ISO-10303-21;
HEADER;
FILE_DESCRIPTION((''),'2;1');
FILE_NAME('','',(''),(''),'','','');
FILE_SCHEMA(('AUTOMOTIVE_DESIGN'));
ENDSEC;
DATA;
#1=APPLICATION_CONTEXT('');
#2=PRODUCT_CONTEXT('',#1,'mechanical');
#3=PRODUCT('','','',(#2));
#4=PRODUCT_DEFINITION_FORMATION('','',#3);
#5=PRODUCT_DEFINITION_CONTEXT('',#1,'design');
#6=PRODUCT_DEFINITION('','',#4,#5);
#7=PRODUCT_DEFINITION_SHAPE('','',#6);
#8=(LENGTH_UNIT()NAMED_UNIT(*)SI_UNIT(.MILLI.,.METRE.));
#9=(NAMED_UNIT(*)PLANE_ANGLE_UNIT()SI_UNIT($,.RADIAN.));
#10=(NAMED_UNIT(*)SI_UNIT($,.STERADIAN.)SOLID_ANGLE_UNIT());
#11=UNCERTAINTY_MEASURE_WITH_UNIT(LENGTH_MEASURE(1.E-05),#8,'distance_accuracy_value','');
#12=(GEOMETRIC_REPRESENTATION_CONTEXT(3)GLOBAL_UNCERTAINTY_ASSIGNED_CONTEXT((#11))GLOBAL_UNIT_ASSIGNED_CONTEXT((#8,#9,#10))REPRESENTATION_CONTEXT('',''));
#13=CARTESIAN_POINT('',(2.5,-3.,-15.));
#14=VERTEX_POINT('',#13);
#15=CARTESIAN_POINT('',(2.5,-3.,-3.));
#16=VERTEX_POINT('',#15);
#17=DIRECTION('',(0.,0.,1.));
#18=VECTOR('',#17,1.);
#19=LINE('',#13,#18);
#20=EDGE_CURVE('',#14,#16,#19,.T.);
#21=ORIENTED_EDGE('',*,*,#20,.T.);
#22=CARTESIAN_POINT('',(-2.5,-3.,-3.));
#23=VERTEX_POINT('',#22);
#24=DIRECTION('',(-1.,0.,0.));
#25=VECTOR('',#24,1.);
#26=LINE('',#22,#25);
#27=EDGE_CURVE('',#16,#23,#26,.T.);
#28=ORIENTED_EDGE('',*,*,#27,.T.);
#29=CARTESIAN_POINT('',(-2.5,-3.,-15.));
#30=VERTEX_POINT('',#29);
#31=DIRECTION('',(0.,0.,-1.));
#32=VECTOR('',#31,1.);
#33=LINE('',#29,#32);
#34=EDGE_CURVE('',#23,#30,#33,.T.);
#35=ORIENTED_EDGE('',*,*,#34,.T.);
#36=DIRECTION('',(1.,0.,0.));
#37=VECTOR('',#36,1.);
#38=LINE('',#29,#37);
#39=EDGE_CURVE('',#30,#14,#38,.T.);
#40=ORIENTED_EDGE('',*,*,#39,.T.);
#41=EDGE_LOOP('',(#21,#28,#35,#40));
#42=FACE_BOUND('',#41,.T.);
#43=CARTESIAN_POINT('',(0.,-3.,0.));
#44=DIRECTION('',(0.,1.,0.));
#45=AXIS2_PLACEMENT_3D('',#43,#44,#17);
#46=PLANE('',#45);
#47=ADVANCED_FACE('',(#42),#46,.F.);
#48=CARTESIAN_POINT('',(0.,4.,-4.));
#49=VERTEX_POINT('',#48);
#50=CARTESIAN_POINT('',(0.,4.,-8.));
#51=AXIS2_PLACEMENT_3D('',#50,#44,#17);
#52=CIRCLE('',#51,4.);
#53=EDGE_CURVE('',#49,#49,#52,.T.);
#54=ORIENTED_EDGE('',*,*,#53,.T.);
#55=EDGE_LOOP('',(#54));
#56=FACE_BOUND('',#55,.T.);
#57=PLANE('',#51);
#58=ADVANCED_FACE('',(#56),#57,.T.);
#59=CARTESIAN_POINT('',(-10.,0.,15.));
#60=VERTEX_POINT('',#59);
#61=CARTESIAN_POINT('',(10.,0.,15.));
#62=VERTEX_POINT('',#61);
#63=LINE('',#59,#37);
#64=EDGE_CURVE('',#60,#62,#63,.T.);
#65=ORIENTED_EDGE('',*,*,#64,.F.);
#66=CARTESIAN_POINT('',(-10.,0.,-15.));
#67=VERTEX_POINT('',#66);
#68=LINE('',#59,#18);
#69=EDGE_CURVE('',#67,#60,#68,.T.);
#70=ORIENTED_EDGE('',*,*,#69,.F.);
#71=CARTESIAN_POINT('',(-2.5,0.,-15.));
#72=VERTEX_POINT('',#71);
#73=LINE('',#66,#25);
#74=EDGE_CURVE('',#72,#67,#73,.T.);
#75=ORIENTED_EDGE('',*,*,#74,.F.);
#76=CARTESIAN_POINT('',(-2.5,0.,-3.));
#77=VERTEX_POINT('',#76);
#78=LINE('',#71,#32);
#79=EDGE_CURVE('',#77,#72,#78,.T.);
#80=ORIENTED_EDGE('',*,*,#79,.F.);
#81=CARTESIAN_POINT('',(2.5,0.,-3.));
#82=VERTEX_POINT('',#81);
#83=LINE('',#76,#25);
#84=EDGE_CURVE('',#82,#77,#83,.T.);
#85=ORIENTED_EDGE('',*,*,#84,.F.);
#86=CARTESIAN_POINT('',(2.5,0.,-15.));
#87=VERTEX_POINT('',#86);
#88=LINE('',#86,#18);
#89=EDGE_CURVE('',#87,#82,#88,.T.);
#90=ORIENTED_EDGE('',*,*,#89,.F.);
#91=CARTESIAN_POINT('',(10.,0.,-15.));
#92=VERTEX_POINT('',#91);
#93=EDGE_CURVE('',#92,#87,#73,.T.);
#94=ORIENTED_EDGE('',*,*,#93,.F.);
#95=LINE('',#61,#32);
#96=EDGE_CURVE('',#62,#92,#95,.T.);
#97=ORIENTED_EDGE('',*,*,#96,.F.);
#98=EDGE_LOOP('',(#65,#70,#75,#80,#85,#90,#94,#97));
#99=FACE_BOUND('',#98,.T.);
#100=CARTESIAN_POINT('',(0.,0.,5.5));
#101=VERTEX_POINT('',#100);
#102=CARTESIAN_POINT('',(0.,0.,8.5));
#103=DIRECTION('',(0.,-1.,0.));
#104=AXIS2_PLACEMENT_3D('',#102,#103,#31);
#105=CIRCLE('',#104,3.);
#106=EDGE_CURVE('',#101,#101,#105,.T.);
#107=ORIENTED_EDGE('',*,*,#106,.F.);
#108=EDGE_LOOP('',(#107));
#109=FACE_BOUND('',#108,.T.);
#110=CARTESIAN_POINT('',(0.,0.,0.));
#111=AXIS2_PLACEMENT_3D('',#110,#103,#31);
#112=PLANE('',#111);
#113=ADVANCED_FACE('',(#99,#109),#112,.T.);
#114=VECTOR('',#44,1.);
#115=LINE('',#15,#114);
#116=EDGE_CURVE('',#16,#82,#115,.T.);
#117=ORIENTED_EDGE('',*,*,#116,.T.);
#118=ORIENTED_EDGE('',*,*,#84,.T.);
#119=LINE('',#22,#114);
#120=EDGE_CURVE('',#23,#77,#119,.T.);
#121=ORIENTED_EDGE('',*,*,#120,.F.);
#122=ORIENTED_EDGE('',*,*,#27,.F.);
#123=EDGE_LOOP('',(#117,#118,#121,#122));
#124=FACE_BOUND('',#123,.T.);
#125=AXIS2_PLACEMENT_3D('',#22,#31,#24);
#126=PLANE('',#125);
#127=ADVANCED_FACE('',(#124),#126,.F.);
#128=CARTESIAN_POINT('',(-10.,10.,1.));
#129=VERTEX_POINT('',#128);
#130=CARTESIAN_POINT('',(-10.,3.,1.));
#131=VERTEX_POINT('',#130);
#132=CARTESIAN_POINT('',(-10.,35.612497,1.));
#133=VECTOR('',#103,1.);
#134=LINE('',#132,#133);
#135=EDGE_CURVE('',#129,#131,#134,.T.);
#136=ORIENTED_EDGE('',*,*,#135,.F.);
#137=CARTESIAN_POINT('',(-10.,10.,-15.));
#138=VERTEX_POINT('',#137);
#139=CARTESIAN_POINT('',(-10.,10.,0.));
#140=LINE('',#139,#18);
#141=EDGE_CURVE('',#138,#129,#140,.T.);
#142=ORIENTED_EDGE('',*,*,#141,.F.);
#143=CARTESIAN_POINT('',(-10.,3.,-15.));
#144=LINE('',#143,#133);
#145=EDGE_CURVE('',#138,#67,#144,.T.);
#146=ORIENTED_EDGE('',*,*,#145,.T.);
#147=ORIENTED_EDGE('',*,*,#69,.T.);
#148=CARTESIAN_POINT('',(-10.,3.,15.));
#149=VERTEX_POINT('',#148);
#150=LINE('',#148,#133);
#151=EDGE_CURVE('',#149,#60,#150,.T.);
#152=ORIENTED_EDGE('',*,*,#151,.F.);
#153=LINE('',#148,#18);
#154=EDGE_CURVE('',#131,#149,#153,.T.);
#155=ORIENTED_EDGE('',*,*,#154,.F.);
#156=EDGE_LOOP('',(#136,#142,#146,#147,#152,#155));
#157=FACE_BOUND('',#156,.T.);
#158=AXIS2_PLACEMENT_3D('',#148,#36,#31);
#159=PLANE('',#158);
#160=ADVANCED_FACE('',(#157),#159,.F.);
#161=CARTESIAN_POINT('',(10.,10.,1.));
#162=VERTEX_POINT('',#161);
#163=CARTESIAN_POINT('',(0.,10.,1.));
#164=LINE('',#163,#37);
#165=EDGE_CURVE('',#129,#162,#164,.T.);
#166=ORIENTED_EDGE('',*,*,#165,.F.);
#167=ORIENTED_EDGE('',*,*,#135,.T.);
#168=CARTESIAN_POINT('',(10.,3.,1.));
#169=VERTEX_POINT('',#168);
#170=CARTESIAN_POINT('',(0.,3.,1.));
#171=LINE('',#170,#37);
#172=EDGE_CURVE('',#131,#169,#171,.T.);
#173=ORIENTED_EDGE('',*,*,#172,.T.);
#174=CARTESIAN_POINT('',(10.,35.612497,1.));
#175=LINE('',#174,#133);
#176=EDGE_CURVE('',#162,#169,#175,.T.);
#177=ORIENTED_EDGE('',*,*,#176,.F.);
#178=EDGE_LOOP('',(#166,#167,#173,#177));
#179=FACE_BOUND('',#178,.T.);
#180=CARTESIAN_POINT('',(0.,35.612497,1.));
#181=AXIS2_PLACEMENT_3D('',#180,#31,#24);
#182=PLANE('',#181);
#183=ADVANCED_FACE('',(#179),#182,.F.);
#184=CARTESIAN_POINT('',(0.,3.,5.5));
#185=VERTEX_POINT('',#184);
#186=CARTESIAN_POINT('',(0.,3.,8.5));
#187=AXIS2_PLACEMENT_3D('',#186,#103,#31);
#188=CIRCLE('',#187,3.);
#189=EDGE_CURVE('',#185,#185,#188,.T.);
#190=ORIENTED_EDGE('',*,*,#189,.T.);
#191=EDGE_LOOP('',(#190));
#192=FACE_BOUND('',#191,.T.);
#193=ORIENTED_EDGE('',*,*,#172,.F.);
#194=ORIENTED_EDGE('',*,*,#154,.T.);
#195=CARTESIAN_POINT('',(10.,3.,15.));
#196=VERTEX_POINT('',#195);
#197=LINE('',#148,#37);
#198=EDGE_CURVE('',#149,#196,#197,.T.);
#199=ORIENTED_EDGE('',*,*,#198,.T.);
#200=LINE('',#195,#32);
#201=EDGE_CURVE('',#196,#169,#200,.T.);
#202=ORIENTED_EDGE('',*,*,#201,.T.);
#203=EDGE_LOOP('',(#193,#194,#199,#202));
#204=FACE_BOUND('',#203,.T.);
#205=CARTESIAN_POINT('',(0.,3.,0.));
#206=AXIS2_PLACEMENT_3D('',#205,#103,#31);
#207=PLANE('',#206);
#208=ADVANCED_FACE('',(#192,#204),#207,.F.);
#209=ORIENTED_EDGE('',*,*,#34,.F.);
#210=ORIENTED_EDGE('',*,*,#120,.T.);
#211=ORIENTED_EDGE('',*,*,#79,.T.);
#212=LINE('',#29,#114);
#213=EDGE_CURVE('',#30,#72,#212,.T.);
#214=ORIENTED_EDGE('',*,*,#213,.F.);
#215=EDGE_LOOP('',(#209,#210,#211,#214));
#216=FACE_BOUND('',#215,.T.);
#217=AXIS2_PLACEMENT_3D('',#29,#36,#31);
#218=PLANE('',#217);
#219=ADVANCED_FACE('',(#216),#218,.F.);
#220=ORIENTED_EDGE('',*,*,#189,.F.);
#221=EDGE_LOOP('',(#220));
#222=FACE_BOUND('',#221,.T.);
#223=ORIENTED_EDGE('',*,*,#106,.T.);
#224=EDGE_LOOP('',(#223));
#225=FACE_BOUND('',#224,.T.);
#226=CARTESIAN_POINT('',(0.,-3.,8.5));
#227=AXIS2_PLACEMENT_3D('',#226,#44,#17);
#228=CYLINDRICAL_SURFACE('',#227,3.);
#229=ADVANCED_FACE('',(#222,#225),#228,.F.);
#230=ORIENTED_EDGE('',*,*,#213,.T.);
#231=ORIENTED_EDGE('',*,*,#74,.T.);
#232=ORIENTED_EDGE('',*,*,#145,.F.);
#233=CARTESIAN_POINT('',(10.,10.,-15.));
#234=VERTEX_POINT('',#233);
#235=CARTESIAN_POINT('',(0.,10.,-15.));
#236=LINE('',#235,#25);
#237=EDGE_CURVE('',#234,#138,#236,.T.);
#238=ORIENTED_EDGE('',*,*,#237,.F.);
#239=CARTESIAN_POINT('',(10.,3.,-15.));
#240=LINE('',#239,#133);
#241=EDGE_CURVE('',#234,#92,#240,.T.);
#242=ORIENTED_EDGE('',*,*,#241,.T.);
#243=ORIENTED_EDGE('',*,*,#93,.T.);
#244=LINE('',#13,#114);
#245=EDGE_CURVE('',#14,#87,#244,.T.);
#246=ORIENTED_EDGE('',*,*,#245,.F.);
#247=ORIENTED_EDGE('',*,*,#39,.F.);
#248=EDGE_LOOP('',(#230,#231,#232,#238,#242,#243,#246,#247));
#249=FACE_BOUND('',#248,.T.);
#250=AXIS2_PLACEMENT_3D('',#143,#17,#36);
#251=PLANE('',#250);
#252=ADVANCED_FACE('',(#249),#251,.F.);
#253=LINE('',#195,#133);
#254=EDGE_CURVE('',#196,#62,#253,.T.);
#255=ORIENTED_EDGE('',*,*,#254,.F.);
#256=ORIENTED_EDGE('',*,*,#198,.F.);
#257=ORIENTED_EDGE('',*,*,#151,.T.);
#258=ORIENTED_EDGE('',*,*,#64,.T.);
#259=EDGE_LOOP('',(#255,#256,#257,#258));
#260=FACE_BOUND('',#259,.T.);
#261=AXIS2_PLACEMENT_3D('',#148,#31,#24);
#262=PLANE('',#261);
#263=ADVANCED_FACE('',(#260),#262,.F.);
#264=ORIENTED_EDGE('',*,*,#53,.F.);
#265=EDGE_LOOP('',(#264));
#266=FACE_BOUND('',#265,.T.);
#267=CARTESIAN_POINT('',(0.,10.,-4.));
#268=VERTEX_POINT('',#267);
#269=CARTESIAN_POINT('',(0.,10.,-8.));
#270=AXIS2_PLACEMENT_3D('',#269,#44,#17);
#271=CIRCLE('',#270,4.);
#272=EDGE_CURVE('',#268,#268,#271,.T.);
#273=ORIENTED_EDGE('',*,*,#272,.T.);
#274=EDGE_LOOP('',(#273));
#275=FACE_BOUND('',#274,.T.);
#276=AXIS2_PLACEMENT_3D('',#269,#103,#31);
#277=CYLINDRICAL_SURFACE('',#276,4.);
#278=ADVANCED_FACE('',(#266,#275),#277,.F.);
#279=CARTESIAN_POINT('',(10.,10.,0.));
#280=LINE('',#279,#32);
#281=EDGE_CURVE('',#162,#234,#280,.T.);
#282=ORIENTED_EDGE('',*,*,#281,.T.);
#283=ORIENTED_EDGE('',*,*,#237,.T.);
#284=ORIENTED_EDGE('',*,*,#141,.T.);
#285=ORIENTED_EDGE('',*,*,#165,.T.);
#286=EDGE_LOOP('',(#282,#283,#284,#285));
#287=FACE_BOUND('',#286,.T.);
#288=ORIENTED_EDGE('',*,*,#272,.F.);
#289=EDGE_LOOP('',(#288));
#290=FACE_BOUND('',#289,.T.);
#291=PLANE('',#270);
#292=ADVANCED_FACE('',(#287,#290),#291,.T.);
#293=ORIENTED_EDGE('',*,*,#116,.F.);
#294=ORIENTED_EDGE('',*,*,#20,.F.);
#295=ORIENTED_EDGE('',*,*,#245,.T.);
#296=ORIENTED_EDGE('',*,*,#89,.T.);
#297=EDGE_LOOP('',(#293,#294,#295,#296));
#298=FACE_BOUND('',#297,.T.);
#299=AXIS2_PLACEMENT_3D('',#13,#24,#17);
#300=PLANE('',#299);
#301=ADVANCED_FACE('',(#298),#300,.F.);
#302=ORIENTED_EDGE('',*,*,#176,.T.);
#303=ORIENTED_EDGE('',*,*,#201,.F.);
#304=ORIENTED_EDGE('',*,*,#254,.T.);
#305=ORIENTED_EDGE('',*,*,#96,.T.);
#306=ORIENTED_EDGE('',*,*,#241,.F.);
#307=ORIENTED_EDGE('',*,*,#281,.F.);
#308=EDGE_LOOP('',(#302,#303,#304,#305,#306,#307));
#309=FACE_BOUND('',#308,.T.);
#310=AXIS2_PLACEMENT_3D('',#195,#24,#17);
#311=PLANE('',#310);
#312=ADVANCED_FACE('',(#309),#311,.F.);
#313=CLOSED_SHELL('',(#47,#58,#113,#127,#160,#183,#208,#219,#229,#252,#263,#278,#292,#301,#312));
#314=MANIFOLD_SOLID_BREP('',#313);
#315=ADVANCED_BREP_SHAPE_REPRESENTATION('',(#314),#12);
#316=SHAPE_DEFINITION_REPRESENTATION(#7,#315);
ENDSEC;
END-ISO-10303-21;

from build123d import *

# Parameters (mm, degrees)
SKETCH1_W               = 20
SKETCH1_H               = 30
BOSS_EXTRUDE1_DEPTH     = 3
SKETCH2_W               = 5
SKETCH2_H               = 12
BOSS_EXTRUDE2_DEPTH     = 3
SKETCH3_R               = 7
SKETCH3_R_2             = 4
BOSS_EXTRUDE3_DEPTH     = 7
SKETCH4_R               = 4
BOSS_EXTRUDE4_DEPTH     = 1
CUT_EXTRUDE1_DEPTH      = 20.339079606
CUT_EXTRUDE1_DEPTH_BACK = 20.339079606
SKETCH5_R               = 3
SKETCH6_R               = 7
SKETCH6_R_2             = 4
BOSS_EXTRUDE6_DEPTH     = 7


with BuildPart() as part:
    # Sketch1 → Boss-Extrude1 (new body)
    with BuildSketch(Plane(origin=(0, 0, 0), x_dir=(1, 0, 0), z_dir=(0, 1, 0))):
        Rectangle(SKETCH1_W, SKETCH1_H)
    extrude(amount=BOSS_EXTRUDE1_DEPTH)

    # Sketch2 → Boss-Extrude2 (add)
    with BuildSketch(Plane.XZ):
        with Locations((0, -9)):
            Rectangle(SKETCH2_W, SKETCH2_H)
    extrude(amount=BOSS_EXTRUDE2_DEPTH)

    # Sketch3 → Boss-Extrude3 (add)
    with BuildSketch(Plane(origin=(0, 3, 0), x_dir=(1, 0, 0), z_dir=(0, 1, 0))):
        with Locations(Location((0, 8, 0), (0, 0, 90))):
            Circle(SKETCH3_R)
        with Locations(Location((0, 8, 0), (0, 0, 270))):
            Circle(SKETCH3_R_2, mode=Mode.SUBTRACT)
    extrude(amount=BOSS_EXTRUDE3_DEPTH)

    # Sketch4 → Boss-Extrude4 (add)
    with BuildSketch(Plane(origin=(0, 3, 0), x_dir=(1, 0, 0), z_dir=(0, 1, 0))):
        with Locations(Location((0, 8, 0), (0, 0, 270))):
            Circle(SKETCH4_R)
    extrude(amount=BOSS_EXTRUDE4_DEPTH)

    # Sketch5 → Cut-Extrude1 (cut, two sides: drawn at the far end of the back side and taken through both)
    with BuildSketch(Plane(origin=(0, 3, 0), x_dir=(1, 0, 0), z_dir=(0, 1, 0)).offset(-CUT_EXTRUDE1_DEPTH_BACK)):
        with Locations(Location((0, -8.5, 0), (0, 0, 90))):
            Circle(SKETCH5_R)
    extrude(amount=CUT_EXTRUDE1_DEPTH + CUT_EXTRUDE1_DEPTH_BACK, mode=Mode.SUBTRACT)

    # Sketch6 → Boss-Extrude6 (add)
    # profile 1 of 2: a face of its own
    with BuildSketch(Plane(origin=(0, 3, 0), x_dir=(1, 0, 0), z_dir=(0, 1, 0))):
        Polygon((0, 15), (-10, 15), (-10, -1), (10, -1), (10, 15), align=None)
        with BuildLine():
            ThreePointArc((7, 8), (-4.949747468, 3.050252532), (0, 15))
            ThreePointArc((0, 15), (4.949747468, 12.949747468), (7, 8))
        make_face(mode=Mode.SUBTRACT)
    # profile 2 of 2: a face of its own
    with BuildSketch(Plane(origin=(0, 3, 0), x_dir=(1, 0, 0), z_dir=(0, 1, 0))):
        with Locations((0, 8)):
            Circle(SKETCH6_R)
        with Locations(Location((0, 8, 0), (0, 0, 270))):
            Circle(SKETCH6_R_2, mode=Mode.SUBTRACT)
    extrude(amount=BOSS_EXTRUDE6_DEPTH)


solid = part.part
